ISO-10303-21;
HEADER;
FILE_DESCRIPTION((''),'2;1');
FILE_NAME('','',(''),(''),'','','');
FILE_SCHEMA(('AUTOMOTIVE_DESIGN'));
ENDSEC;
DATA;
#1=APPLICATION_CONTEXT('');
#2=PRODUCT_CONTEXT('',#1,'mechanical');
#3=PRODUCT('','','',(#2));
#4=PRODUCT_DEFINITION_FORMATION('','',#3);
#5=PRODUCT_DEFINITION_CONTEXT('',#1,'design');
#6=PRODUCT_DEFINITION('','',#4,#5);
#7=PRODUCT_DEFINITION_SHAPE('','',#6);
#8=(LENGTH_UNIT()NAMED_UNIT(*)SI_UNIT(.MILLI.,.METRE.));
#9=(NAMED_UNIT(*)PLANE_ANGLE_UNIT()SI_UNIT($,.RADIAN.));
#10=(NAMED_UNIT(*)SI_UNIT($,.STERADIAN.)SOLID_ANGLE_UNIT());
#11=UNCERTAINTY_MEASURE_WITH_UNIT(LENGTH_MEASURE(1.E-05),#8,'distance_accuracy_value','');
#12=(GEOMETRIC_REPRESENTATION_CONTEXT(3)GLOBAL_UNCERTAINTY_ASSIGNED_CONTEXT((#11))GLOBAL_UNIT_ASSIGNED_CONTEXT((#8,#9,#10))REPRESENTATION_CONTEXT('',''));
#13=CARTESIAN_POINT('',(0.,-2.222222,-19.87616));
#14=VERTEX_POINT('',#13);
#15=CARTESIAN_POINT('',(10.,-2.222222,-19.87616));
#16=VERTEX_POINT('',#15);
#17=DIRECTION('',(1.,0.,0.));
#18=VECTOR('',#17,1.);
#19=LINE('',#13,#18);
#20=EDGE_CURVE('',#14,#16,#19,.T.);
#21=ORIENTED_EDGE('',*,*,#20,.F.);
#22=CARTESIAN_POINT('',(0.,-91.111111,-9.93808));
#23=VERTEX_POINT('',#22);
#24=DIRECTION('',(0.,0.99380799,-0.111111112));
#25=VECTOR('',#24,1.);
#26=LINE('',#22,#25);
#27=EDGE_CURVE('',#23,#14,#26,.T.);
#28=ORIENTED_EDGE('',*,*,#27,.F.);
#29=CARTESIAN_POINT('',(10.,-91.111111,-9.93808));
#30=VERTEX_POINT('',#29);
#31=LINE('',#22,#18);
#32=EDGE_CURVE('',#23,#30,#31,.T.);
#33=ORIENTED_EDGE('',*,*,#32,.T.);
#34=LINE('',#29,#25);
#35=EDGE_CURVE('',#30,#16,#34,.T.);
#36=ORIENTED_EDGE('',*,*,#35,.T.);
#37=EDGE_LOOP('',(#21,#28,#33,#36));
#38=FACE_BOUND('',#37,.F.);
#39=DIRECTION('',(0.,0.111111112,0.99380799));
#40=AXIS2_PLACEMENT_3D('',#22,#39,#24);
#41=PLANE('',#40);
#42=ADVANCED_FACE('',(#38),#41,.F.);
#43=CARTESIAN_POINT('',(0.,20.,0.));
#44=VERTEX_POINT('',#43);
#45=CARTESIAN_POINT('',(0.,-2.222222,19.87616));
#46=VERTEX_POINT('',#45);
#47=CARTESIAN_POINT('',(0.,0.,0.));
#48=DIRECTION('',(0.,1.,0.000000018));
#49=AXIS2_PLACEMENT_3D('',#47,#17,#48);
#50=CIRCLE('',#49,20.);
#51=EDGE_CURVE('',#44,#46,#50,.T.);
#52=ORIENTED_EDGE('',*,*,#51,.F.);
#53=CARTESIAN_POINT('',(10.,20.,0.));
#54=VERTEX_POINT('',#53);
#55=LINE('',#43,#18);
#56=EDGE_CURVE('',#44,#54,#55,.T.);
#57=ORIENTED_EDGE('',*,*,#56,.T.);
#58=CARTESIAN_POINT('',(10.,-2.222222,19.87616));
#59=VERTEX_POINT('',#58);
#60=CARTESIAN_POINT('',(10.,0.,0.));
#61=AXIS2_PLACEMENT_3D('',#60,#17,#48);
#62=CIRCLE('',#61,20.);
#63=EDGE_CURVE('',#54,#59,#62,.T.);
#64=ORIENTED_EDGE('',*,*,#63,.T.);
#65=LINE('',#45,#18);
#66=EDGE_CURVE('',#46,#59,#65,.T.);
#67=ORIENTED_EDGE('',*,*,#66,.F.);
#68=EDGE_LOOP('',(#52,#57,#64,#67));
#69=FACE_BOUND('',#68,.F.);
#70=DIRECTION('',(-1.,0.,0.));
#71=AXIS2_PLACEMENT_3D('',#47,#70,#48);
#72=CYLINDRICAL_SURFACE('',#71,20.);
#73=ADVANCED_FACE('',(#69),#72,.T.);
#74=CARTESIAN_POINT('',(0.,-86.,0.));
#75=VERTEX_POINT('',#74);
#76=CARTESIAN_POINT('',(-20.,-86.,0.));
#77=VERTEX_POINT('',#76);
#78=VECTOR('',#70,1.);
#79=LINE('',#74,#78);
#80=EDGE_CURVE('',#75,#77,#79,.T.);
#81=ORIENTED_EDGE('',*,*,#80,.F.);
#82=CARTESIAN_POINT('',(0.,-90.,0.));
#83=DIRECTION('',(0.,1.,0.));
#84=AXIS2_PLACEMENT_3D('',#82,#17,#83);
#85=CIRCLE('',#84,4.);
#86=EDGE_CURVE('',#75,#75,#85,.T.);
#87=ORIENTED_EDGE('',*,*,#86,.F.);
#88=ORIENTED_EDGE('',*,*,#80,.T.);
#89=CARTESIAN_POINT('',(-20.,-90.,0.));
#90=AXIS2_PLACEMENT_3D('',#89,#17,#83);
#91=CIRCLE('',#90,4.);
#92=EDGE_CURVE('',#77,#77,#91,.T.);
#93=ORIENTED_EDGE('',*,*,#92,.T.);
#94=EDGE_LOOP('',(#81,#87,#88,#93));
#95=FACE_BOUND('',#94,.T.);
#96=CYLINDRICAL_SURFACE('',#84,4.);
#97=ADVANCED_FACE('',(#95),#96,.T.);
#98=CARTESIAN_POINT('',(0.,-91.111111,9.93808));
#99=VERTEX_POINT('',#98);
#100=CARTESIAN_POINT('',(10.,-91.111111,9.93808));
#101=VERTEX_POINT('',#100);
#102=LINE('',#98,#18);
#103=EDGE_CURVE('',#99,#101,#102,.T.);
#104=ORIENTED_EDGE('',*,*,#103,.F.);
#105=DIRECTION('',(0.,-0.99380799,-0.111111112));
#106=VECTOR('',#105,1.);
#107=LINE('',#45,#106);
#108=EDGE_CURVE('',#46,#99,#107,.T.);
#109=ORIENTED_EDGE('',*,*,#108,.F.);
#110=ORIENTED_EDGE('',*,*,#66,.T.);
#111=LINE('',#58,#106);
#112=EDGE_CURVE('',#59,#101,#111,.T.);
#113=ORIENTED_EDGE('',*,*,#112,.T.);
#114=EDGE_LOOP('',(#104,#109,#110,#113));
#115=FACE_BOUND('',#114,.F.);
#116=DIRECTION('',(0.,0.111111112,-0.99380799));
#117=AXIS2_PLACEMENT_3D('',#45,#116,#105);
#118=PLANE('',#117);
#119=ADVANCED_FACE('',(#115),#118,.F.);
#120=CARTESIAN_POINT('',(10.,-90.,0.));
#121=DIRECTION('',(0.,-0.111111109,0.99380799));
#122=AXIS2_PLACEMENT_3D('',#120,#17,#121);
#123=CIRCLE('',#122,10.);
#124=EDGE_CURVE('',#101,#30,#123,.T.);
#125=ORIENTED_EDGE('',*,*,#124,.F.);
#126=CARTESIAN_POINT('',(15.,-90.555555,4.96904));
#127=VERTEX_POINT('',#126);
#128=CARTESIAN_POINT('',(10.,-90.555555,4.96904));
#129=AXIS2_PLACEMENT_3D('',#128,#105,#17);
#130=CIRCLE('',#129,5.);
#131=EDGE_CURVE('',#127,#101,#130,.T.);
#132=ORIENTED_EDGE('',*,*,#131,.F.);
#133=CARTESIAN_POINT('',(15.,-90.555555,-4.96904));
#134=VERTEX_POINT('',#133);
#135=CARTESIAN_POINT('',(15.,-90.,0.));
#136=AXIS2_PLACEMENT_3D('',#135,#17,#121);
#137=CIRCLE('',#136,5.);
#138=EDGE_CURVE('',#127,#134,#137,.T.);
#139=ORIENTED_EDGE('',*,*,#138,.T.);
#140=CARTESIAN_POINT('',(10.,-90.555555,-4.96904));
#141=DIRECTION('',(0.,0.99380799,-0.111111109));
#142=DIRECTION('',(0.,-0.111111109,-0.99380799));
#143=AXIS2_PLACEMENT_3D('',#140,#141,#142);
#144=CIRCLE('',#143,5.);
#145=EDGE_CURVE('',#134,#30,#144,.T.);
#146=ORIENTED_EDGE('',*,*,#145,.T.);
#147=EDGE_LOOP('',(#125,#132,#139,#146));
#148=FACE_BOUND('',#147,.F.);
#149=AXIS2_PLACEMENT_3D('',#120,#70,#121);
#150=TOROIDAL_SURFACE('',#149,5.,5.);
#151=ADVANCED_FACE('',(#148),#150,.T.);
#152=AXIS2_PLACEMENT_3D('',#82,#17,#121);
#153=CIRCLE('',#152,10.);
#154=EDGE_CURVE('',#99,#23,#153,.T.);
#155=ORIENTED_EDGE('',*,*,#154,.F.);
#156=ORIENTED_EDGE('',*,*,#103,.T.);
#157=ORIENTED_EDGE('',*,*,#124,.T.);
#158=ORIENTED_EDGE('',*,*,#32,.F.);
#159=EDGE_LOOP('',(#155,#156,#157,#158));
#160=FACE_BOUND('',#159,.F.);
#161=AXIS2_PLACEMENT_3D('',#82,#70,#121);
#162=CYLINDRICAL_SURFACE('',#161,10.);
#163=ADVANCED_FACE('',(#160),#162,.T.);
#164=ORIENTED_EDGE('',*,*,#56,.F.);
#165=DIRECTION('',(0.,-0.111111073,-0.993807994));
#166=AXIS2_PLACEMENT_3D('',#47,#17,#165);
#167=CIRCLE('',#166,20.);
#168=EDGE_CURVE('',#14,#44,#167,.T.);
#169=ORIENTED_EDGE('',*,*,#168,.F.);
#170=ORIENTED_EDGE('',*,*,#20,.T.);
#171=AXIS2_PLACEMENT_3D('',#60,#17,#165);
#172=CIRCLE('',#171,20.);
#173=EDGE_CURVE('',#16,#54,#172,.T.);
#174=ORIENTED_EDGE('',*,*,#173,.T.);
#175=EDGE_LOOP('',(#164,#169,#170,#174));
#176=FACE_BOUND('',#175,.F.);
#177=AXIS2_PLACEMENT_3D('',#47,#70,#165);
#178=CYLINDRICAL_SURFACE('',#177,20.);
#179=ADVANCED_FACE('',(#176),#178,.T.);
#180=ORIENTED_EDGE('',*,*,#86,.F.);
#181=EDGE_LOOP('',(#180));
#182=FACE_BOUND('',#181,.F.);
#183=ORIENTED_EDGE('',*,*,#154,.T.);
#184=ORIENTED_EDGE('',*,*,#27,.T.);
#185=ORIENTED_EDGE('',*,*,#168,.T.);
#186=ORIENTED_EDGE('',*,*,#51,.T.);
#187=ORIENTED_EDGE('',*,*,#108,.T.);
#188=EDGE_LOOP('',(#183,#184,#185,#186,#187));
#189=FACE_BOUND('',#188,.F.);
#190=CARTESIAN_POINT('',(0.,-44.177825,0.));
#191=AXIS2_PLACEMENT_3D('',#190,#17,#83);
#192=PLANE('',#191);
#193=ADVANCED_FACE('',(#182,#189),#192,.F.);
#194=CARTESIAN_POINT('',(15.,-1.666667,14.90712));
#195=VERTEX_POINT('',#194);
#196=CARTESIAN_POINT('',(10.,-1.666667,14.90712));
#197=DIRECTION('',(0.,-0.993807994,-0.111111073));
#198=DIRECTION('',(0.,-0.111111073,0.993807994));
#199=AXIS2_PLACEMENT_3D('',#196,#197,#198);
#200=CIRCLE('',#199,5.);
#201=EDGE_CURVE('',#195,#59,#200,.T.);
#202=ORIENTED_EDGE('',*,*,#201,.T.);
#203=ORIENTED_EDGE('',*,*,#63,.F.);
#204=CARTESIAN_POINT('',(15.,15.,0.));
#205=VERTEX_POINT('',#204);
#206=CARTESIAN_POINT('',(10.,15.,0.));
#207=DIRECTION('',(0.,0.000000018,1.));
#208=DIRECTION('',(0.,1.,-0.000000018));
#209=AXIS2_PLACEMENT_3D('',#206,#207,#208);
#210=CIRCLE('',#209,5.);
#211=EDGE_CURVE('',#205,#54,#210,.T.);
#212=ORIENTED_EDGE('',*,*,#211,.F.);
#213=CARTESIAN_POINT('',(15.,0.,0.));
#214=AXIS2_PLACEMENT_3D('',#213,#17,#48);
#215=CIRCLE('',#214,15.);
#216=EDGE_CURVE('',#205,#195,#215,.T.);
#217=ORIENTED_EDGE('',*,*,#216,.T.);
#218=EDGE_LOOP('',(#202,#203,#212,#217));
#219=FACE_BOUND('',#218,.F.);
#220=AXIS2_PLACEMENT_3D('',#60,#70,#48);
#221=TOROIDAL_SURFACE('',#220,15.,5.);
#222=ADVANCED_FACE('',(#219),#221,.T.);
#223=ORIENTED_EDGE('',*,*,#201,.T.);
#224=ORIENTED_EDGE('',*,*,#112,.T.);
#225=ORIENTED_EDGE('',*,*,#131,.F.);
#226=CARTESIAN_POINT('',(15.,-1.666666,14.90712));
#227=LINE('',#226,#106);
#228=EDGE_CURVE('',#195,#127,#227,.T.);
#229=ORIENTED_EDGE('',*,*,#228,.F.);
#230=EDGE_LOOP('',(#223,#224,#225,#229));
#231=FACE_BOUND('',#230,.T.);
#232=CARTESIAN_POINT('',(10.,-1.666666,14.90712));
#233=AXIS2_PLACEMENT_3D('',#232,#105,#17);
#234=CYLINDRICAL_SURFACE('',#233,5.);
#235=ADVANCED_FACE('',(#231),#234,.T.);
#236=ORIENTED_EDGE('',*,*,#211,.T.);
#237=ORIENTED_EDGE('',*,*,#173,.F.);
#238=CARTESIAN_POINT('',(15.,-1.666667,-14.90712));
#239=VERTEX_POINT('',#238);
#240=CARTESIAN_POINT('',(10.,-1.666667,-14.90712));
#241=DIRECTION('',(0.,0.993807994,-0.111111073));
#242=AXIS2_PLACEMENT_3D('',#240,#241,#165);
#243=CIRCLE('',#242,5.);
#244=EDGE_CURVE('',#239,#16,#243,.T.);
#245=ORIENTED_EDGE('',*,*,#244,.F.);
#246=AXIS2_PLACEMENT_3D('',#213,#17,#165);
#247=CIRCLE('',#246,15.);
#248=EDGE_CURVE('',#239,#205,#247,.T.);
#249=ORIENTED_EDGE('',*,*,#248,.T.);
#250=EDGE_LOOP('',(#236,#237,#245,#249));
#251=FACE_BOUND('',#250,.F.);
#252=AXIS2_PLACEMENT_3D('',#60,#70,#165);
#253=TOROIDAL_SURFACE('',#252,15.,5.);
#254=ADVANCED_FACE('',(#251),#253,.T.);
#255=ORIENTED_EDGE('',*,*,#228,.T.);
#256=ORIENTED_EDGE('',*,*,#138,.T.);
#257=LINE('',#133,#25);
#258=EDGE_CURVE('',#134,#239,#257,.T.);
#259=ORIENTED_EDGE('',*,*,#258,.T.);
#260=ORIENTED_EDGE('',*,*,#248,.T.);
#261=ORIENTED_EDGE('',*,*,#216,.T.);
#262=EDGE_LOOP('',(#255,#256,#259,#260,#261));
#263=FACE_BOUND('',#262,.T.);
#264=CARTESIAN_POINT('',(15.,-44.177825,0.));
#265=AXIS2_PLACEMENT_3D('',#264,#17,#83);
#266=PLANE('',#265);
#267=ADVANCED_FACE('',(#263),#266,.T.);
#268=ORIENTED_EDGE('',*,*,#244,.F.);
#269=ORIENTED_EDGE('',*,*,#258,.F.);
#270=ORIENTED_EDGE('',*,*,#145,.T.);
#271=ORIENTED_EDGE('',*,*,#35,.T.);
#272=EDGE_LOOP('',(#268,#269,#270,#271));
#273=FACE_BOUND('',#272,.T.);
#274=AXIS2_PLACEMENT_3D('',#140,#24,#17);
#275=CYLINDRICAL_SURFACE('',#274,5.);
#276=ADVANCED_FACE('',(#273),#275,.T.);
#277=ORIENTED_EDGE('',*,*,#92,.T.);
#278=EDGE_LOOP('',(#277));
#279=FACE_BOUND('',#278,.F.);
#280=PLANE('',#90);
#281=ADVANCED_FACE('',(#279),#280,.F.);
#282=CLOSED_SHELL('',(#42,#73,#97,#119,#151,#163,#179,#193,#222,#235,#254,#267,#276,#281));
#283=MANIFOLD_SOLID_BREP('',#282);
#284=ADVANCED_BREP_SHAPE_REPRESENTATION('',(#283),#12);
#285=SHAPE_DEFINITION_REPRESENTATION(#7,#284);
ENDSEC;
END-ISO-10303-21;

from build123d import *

# Parameters (mm, degrees)
F1_DEPTH = 15
F2_R     = 4
F3_DEPTH = 20
F4_R     = 5


with BuildPart() as f1:
    # F0 (on Right) → F1 (new body)
    with BuildSketch(Plane.YZ):
        with BuildLine():
            ThreePointArc((-2.222222, -19.87616), (-20, 0), (-2.222222, 19.87616))
            Line((-2.222222, 19.87616), (-91.111111, 9.93808))
            ThreePointArc((-91.111111, 9.93808), (-83.333333, 7.45356), (-80, 0))
            ThreePointArc((-80, 0), (-83.333333, -7.45356), (-91.111111, -9.93808))
            Line((-91.111111, -9.93808), (-2.222222, -19.87616))
        make_face()
        with BuildLine():
            ThreePointArc((-2.222222, -19.87616), (13.333333, -14.90712), (20, 0))
            ThreePointArc((20, 0), (13.333333, 14.90712), (-2.222222, 19.87616))
            ThreePointArc((-2.222222, 19.87616), (-20, 0), (-2.222222, -19.87616))
        make_face()
        with BuildLine():
            ThreePointArc((-80, 0), (-83.333333, 7.45356), (-91.111111, 9.93808))
            ThreePointArc((-91.111111, 9.93808), (-100, 0), (-91.111111, -9.93808))
            ThreePointArc((-91.111111, -9.93808), (-83.333333, -7.45356), (-80, 0))
        make_face()
    extrude(amount=F1_DEPTH)

    # F2 (on Right) → F3 (join)
    with BuildSketch(Plane.YZ):
        with Locations((-90, 0)):
            Circle(F2_R)
    extrude(amount=-F3_DEPTH)

    # F4
    f4_edges = [f1.edges().sort_by_distance(p)[0] for p in [
        (15, 13.333333, -14.90712),
        (15, 13.333333, 14.90712),
        (15, -46.666667, 14.90712),
        (15, -100, 0),
        (15, -46.666667, -14.90712),
    ]]
    fillet(f4_edges, radius=F4_R)


solid = f1.part
